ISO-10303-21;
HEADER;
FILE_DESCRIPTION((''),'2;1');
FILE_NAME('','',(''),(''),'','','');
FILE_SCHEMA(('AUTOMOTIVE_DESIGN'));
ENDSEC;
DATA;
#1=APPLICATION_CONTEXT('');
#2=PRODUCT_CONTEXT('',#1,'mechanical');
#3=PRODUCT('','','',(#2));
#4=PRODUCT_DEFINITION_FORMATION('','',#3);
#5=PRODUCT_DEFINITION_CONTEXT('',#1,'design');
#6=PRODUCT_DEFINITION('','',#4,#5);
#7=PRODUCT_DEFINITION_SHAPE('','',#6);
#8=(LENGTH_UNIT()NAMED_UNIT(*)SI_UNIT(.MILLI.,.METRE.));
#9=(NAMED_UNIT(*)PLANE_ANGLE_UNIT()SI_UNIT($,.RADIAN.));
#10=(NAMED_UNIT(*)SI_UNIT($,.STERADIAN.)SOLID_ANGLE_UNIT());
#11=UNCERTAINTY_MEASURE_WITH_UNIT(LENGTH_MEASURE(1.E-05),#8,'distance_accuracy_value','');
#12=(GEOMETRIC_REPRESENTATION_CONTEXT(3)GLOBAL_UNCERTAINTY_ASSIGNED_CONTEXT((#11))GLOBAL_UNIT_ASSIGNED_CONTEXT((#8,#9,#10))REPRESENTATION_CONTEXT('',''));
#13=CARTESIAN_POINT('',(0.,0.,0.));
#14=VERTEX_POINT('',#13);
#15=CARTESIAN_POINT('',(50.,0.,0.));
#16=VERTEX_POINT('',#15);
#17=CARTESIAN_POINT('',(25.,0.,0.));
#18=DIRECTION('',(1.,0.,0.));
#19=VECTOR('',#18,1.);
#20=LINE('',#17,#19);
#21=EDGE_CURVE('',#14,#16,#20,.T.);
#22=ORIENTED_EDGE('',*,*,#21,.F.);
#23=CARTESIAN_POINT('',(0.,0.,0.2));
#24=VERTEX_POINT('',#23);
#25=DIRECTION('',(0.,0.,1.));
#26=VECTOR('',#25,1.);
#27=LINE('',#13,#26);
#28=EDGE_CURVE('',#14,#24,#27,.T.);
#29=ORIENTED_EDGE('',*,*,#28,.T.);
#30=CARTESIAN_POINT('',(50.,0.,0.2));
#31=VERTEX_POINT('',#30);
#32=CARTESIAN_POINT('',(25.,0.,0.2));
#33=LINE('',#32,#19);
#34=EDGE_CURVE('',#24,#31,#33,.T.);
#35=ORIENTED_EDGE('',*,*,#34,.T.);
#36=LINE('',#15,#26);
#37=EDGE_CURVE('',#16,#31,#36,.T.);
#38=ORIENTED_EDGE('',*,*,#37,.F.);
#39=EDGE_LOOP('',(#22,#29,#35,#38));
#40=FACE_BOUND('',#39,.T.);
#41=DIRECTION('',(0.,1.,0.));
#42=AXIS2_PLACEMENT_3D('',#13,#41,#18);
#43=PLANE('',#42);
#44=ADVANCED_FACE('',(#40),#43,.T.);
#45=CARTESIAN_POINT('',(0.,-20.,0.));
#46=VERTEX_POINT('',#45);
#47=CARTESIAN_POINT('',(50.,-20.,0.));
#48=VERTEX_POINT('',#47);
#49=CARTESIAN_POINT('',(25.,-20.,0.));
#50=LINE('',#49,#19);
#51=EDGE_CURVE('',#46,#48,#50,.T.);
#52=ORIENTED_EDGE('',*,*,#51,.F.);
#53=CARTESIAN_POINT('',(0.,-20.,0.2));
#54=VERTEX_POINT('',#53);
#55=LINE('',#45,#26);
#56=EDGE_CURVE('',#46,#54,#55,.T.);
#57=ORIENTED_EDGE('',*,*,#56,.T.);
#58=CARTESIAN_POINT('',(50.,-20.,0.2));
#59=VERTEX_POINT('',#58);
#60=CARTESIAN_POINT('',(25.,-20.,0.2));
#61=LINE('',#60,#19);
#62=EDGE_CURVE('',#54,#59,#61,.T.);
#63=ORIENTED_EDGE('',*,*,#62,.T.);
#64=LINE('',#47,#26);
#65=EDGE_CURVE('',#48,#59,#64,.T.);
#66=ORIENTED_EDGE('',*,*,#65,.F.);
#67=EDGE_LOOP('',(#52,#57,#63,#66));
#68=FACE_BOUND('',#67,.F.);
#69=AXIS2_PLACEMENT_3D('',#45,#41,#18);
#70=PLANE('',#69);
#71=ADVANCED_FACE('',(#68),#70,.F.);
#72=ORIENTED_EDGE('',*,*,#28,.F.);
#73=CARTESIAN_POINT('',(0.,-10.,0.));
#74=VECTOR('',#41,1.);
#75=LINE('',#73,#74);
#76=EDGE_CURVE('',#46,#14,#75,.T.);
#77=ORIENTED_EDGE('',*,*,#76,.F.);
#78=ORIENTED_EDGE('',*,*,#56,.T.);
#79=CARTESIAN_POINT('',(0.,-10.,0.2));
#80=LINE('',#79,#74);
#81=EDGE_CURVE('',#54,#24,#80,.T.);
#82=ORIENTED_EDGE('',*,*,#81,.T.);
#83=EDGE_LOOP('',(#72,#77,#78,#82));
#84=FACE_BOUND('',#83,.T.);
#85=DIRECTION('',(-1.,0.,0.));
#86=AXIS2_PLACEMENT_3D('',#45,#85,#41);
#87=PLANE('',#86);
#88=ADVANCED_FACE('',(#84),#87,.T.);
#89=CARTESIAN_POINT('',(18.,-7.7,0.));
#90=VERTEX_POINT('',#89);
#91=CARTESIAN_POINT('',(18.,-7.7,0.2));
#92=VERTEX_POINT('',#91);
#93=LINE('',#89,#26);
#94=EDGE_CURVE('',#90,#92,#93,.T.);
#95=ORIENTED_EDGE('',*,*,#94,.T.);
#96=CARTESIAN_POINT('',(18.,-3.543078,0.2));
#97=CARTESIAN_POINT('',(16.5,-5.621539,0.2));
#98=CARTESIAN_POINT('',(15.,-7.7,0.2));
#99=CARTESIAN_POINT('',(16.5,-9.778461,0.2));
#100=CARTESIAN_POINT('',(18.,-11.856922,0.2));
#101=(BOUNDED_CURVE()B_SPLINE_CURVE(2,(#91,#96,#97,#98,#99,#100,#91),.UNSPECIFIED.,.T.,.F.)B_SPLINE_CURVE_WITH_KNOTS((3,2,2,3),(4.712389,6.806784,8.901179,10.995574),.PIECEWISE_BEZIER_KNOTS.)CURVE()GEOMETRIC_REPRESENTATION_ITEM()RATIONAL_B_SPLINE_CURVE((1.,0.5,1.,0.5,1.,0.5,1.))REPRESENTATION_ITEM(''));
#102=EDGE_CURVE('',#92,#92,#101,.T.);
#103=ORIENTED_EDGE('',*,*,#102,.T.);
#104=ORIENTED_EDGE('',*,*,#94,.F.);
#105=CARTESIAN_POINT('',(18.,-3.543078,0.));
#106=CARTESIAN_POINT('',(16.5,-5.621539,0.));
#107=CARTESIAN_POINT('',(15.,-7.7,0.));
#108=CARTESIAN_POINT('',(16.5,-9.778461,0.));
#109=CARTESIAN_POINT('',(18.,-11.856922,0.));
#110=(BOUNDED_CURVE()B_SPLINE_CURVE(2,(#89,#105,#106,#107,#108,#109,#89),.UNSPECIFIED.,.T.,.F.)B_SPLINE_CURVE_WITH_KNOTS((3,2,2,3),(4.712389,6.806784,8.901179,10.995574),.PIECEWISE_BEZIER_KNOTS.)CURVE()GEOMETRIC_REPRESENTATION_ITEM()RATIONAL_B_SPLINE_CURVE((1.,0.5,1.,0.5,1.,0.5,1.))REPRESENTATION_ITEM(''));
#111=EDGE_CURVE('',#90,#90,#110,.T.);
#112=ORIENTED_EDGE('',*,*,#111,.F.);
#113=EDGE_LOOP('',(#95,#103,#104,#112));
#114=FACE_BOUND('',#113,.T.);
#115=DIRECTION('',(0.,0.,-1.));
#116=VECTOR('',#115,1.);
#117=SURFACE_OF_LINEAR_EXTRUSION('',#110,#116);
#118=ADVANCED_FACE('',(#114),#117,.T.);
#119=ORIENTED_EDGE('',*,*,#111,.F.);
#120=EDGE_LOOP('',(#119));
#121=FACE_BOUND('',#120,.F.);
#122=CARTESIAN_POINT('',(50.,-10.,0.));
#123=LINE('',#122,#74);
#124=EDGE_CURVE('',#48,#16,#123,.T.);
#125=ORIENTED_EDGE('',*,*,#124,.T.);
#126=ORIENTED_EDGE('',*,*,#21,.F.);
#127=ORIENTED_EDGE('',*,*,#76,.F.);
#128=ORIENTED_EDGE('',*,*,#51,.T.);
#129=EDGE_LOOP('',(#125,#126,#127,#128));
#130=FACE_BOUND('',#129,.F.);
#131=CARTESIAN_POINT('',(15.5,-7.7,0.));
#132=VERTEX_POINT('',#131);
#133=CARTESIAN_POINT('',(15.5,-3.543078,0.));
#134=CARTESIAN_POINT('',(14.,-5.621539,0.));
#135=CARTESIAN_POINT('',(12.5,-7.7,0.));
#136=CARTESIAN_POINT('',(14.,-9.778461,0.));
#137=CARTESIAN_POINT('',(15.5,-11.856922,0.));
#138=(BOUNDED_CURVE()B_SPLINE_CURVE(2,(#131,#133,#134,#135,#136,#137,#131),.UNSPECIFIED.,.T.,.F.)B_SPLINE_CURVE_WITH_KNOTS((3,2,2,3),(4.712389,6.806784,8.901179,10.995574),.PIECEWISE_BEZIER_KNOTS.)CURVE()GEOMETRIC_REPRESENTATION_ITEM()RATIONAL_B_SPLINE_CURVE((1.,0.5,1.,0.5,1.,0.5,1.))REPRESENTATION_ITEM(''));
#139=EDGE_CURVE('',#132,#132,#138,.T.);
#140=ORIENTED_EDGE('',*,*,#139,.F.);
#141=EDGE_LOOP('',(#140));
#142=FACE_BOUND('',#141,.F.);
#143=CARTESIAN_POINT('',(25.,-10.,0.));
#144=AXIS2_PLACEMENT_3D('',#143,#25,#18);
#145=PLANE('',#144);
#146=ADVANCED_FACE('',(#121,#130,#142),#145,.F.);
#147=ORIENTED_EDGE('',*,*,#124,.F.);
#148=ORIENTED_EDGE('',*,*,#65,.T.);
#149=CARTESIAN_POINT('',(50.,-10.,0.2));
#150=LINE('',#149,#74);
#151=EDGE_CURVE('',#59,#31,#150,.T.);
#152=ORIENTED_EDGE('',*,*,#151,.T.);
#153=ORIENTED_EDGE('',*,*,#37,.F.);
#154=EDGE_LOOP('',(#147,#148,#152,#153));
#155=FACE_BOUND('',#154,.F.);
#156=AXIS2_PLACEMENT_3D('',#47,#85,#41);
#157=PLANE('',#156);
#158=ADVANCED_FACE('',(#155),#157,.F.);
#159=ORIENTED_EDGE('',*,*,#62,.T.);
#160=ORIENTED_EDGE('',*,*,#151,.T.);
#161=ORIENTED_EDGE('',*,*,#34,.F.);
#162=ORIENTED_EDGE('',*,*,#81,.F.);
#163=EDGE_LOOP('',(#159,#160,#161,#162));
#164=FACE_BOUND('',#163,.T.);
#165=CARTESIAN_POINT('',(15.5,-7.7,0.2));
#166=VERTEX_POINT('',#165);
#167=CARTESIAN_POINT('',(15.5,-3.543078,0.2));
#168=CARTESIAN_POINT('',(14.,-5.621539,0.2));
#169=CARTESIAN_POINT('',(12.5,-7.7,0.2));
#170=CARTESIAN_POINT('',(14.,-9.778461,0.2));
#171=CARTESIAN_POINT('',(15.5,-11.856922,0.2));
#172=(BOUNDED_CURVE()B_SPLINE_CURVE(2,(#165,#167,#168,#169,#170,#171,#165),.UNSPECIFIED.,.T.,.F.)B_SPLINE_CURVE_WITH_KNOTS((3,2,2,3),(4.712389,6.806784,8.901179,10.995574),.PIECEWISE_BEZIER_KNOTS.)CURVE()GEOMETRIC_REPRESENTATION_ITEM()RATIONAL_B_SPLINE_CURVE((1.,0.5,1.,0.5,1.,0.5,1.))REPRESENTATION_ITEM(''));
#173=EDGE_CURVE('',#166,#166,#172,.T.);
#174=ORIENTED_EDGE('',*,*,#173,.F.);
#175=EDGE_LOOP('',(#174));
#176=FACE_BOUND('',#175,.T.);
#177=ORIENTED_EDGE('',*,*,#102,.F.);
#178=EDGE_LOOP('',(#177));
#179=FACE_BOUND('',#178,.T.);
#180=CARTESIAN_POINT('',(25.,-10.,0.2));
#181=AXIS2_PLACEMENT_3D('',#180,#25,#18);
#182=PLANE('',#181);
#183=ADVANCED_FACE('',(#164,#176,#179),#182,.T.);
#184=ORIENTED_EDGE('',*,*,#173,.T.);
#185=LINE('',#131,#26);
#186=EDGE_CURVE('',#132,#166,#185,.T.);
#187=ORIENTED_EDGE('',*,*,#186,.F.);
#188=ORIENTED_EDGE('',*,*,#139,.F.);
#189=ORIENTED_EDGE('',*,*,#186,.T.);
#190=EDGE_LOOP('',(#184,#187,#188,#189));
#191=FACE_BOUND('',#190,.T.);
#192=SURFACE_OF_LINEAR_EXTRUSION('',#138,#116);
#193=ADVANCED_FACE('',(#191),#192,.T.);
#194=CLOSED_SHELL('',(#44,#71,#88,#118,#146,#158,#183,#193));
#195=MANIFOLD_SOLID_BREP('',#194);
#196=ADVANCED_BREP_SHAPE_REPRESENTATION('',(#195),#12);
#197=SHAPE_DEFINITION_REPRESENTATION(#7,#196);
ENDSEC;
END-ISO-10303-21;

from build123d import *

# Parameters (mm, degrees)
F0_W     = 50
F0_H     = 20
F1_DEPTH = 0.2


with BuildPart() as f1:
    # F0 (on Top) → F1 (new body)
    with BuildSketch(Plane.XY):
        with Locations((25, -10)):
            Rectangle(F0_W, F0_H)
        with BuildLine():
            add(Edge.make_bspline(
                [(15.5, -7.7), (15.5, -3.543078), (14, -5.621539), (12.5, -7.7), (14, -9.778461), (15.5, -11.856922), (15.5, -7.7)],
                knots=[4.712389, 4.712389, 4.712389, 6.806784, 6.806784, 8.901179, 8.901179, 10.995574, 10.995574, 10.995574], degree=2, weights=[1, 0.5, 1, 0.5, 1, 0.5, 1]))
        make_face(mode=Mode.SUBTRACT)
        with BuildLine():
            add(Edge.make_bspline(
                [(18, -7.7), (18, -3.543078), (16.5, -5.621539), (15, -7.7), (16.5, -9.778461), (18, -11.856922), (18, -7.7)],
                knots=[4.712389, 4.712389, 4.712389, 6.806784, 6.806784, 8.901179, 8.901179, 10.995574, 10.995574, 10.995574], degree=2, weights=[1, 0.5, 1, 0.5, 1, 0.5, 1]))
        make_face(mode=Mode.SUBTRACT)
    extrude(amount=F1_DEPTH)


solid = f1.part
